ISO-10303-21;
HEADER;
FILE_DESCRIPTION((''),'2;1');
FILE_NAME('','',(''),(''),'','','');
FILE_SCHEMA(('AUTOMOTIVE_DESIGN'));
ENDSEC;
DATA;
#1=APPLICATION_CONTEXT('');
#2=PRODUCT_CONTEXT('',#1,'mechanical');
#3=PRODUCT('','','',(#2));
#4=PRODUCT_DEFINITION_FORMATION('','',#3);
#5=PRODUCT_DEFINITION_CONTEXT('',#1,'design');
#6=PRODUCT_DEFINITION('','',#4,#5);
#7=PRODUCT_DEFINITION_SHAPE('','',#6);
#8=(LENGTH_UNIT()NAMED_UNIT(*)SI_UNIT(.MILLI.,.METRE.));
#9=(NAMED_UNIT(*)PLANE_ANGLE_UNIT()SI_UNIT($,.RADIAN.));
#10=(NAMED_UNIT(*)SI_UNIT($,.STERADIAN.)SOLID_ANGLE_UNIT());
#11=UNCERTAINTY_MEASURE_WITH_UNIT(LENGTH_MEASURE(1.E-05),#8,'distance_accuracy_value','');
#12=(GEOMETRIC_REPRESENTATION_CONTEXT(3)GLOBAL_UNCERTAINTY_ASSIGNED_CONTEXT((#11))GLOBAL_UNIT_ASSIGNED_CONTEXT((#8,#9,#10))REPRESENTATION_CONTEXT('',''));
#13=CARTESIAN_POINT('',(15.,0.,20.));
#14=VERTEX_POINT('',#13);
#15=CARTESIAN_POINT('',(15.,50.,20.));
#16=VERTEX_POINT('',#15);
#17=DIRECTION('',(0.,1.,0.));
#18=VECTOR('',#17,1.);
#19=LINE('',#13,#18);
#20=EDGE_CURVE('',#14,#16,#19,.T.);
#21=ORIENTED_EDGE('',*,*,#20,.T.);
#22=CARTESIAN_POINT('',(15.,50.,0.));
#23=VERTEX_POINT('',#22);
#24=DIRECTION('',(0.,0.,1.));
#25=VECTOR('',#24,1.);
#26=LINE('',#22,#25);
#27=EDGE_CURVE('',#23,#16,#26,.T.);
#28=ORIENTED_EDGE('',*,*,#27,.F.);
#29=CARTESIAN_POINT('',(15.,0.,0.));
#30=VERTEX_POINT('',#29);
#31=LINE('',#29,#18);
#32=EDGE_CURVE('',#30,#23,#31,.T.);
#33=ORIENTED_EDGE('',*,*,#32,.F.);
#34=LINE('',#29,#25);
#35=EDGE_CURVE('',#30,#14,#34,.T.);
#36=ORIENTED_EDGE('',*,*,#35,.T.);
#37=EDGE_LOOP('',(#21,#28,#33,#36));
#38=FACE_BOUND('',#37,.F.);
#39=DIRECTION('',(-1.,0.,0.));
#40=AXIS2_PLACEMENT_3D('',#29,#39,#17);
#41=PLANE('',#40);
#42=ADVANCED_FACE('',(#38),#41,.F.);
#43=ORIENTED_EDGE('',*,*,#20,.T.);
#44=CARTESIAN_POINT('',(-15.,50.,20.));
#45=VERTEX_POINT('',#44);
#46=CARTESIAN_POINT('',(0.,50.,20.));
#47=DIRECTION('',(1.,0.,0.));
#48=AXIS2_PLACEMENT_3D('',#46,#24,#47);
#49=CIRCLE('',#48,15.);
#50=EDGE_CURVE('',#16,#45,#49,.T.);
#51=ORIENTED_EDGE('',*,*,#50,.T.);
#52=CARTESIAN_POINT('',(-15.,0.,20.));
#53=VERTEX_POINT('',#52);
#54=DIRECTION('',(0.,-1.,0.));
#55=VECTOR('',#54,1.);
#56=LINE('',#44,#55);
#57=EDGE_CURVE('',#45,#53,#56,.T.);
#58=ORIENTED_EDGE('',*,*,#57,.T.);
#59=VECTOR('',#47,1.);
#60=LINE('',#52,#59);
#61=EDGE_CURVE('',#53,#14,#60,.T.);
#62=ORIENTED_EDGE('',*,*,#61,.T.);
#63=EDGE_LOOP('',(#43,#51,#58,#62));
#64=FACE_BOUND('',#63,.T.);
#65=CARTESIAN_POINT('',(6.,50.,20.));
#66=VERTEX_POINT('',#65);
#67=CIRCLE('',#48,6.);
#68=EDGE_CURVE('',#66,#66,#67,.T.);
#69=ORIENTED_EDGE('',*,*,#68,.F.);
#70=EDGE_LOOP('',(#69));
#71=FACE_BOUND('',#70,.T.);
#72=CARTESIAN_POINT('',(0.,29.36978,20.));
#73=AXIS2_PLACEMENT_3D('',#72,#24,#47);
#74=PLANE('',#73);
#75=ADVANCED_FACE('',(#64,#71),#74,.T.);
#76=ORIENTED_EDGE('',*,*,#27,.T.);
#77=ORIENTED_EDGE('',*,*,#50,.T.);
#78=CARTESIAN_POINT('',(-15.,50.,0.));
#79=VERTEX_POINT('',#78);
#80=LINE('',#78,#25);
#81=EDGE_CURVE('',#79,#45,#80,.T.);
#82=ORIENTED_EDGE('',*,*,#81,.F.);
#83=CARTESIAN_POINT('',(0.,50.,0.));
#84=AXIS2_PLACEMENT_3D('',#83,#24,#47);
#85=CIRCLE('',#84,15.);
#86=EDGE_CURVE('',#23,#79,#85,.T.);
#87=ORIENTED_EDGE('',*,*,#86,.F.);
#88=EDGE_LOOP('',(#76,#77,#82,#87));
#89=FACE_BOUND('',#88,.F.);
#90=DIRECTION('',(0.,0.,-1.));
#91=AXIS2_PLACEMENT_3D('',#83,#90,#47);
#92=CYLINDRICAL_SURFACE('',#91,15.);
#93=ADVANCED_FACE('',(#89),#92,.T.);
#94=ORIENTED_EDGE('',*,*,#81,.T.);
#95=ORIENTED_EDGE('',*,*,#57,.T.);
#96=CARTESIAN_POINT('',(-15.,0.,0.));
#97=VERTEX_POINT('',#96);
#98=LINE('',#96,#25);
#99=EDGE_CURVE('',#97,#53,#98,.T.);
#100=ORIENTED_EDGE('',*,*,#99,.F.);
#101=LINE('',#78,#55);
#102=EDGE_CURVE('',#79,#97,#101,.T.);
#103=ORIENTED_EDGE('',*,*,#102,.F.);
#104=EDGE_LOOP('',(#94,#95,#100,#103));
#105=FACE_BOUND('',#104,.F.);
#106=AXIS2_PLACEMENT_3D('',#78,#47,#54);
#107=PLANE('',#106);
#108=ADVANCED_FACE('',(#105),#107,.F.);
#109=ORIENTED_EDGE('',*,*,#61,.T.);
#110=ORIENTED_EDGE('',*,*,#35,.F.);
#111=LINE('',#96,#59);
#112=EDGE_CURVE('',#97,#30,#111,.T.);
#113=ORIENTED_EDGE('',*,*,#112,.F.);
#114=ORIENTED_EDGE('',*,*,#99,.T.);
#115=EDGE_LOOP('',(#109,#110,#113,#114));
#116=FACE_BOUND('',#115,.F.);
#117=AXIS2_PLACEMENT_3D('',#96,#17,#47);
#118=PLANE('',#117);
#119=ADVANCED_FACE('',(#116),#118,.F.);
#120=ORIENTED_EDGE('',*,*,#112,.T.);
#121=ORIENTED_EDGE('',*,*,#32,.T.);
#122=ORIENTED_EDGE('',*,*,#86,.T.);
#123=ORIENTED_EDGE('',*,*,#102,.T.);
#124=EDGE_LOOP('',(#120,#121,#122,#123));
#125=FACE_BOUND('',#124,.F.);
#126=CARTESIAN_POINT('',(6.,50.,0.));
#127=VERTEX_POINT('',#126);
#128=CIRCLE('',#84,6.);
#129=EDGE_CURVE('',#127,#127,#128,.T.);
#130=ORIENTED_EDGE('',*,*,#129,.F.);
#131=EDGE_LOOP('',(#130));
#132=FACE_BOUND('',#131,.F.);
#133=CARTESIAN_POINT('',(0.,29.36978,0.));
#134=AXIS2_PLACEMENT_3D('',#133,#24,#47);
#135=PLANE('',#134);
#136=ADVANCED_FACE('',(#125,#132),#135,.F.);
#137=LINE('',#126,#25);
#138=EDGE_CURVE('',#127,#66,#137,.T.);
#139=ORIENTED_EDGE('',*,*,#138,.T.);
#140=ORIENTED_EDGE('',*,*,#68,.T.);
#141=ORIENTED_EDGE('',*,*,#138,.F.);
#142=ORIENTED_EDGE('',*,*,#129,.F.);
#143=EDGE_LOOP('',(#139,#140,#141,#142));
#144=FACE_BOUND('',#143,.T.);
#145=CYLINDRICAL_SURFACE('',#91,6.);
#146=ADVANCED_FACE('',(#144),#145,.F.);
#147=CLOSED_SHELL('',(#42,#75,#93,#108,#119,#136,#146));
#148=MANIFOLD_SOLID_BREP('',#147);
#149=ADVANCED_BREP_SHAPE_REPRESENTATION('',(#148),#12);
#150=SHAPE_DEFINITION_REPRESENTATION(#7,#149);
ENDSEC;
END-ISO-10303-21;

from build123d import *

# Parameters (mm, degrees)
F0_R     = 6
F1_DEPTH = 20


with BuildPart() as f1:
    # F0 (on Top) → F1 (new body)
    with BuildSketch(Plane.XY):
        with BuildLine():
            Line((-15, 50), (-15, 0))
            Line((-15, 0), (15, 0))
            Line((15, 0), (15, 50))
            ThreePointArc((15, 50), (0, 65), (-15, 50))
        make_face()
        with Locations((0, 50)):
            Circle(F0_R, mode=Mode.SUBTRACT)
    extrude(amount=F1_DEPTH)


solid = f1.part
